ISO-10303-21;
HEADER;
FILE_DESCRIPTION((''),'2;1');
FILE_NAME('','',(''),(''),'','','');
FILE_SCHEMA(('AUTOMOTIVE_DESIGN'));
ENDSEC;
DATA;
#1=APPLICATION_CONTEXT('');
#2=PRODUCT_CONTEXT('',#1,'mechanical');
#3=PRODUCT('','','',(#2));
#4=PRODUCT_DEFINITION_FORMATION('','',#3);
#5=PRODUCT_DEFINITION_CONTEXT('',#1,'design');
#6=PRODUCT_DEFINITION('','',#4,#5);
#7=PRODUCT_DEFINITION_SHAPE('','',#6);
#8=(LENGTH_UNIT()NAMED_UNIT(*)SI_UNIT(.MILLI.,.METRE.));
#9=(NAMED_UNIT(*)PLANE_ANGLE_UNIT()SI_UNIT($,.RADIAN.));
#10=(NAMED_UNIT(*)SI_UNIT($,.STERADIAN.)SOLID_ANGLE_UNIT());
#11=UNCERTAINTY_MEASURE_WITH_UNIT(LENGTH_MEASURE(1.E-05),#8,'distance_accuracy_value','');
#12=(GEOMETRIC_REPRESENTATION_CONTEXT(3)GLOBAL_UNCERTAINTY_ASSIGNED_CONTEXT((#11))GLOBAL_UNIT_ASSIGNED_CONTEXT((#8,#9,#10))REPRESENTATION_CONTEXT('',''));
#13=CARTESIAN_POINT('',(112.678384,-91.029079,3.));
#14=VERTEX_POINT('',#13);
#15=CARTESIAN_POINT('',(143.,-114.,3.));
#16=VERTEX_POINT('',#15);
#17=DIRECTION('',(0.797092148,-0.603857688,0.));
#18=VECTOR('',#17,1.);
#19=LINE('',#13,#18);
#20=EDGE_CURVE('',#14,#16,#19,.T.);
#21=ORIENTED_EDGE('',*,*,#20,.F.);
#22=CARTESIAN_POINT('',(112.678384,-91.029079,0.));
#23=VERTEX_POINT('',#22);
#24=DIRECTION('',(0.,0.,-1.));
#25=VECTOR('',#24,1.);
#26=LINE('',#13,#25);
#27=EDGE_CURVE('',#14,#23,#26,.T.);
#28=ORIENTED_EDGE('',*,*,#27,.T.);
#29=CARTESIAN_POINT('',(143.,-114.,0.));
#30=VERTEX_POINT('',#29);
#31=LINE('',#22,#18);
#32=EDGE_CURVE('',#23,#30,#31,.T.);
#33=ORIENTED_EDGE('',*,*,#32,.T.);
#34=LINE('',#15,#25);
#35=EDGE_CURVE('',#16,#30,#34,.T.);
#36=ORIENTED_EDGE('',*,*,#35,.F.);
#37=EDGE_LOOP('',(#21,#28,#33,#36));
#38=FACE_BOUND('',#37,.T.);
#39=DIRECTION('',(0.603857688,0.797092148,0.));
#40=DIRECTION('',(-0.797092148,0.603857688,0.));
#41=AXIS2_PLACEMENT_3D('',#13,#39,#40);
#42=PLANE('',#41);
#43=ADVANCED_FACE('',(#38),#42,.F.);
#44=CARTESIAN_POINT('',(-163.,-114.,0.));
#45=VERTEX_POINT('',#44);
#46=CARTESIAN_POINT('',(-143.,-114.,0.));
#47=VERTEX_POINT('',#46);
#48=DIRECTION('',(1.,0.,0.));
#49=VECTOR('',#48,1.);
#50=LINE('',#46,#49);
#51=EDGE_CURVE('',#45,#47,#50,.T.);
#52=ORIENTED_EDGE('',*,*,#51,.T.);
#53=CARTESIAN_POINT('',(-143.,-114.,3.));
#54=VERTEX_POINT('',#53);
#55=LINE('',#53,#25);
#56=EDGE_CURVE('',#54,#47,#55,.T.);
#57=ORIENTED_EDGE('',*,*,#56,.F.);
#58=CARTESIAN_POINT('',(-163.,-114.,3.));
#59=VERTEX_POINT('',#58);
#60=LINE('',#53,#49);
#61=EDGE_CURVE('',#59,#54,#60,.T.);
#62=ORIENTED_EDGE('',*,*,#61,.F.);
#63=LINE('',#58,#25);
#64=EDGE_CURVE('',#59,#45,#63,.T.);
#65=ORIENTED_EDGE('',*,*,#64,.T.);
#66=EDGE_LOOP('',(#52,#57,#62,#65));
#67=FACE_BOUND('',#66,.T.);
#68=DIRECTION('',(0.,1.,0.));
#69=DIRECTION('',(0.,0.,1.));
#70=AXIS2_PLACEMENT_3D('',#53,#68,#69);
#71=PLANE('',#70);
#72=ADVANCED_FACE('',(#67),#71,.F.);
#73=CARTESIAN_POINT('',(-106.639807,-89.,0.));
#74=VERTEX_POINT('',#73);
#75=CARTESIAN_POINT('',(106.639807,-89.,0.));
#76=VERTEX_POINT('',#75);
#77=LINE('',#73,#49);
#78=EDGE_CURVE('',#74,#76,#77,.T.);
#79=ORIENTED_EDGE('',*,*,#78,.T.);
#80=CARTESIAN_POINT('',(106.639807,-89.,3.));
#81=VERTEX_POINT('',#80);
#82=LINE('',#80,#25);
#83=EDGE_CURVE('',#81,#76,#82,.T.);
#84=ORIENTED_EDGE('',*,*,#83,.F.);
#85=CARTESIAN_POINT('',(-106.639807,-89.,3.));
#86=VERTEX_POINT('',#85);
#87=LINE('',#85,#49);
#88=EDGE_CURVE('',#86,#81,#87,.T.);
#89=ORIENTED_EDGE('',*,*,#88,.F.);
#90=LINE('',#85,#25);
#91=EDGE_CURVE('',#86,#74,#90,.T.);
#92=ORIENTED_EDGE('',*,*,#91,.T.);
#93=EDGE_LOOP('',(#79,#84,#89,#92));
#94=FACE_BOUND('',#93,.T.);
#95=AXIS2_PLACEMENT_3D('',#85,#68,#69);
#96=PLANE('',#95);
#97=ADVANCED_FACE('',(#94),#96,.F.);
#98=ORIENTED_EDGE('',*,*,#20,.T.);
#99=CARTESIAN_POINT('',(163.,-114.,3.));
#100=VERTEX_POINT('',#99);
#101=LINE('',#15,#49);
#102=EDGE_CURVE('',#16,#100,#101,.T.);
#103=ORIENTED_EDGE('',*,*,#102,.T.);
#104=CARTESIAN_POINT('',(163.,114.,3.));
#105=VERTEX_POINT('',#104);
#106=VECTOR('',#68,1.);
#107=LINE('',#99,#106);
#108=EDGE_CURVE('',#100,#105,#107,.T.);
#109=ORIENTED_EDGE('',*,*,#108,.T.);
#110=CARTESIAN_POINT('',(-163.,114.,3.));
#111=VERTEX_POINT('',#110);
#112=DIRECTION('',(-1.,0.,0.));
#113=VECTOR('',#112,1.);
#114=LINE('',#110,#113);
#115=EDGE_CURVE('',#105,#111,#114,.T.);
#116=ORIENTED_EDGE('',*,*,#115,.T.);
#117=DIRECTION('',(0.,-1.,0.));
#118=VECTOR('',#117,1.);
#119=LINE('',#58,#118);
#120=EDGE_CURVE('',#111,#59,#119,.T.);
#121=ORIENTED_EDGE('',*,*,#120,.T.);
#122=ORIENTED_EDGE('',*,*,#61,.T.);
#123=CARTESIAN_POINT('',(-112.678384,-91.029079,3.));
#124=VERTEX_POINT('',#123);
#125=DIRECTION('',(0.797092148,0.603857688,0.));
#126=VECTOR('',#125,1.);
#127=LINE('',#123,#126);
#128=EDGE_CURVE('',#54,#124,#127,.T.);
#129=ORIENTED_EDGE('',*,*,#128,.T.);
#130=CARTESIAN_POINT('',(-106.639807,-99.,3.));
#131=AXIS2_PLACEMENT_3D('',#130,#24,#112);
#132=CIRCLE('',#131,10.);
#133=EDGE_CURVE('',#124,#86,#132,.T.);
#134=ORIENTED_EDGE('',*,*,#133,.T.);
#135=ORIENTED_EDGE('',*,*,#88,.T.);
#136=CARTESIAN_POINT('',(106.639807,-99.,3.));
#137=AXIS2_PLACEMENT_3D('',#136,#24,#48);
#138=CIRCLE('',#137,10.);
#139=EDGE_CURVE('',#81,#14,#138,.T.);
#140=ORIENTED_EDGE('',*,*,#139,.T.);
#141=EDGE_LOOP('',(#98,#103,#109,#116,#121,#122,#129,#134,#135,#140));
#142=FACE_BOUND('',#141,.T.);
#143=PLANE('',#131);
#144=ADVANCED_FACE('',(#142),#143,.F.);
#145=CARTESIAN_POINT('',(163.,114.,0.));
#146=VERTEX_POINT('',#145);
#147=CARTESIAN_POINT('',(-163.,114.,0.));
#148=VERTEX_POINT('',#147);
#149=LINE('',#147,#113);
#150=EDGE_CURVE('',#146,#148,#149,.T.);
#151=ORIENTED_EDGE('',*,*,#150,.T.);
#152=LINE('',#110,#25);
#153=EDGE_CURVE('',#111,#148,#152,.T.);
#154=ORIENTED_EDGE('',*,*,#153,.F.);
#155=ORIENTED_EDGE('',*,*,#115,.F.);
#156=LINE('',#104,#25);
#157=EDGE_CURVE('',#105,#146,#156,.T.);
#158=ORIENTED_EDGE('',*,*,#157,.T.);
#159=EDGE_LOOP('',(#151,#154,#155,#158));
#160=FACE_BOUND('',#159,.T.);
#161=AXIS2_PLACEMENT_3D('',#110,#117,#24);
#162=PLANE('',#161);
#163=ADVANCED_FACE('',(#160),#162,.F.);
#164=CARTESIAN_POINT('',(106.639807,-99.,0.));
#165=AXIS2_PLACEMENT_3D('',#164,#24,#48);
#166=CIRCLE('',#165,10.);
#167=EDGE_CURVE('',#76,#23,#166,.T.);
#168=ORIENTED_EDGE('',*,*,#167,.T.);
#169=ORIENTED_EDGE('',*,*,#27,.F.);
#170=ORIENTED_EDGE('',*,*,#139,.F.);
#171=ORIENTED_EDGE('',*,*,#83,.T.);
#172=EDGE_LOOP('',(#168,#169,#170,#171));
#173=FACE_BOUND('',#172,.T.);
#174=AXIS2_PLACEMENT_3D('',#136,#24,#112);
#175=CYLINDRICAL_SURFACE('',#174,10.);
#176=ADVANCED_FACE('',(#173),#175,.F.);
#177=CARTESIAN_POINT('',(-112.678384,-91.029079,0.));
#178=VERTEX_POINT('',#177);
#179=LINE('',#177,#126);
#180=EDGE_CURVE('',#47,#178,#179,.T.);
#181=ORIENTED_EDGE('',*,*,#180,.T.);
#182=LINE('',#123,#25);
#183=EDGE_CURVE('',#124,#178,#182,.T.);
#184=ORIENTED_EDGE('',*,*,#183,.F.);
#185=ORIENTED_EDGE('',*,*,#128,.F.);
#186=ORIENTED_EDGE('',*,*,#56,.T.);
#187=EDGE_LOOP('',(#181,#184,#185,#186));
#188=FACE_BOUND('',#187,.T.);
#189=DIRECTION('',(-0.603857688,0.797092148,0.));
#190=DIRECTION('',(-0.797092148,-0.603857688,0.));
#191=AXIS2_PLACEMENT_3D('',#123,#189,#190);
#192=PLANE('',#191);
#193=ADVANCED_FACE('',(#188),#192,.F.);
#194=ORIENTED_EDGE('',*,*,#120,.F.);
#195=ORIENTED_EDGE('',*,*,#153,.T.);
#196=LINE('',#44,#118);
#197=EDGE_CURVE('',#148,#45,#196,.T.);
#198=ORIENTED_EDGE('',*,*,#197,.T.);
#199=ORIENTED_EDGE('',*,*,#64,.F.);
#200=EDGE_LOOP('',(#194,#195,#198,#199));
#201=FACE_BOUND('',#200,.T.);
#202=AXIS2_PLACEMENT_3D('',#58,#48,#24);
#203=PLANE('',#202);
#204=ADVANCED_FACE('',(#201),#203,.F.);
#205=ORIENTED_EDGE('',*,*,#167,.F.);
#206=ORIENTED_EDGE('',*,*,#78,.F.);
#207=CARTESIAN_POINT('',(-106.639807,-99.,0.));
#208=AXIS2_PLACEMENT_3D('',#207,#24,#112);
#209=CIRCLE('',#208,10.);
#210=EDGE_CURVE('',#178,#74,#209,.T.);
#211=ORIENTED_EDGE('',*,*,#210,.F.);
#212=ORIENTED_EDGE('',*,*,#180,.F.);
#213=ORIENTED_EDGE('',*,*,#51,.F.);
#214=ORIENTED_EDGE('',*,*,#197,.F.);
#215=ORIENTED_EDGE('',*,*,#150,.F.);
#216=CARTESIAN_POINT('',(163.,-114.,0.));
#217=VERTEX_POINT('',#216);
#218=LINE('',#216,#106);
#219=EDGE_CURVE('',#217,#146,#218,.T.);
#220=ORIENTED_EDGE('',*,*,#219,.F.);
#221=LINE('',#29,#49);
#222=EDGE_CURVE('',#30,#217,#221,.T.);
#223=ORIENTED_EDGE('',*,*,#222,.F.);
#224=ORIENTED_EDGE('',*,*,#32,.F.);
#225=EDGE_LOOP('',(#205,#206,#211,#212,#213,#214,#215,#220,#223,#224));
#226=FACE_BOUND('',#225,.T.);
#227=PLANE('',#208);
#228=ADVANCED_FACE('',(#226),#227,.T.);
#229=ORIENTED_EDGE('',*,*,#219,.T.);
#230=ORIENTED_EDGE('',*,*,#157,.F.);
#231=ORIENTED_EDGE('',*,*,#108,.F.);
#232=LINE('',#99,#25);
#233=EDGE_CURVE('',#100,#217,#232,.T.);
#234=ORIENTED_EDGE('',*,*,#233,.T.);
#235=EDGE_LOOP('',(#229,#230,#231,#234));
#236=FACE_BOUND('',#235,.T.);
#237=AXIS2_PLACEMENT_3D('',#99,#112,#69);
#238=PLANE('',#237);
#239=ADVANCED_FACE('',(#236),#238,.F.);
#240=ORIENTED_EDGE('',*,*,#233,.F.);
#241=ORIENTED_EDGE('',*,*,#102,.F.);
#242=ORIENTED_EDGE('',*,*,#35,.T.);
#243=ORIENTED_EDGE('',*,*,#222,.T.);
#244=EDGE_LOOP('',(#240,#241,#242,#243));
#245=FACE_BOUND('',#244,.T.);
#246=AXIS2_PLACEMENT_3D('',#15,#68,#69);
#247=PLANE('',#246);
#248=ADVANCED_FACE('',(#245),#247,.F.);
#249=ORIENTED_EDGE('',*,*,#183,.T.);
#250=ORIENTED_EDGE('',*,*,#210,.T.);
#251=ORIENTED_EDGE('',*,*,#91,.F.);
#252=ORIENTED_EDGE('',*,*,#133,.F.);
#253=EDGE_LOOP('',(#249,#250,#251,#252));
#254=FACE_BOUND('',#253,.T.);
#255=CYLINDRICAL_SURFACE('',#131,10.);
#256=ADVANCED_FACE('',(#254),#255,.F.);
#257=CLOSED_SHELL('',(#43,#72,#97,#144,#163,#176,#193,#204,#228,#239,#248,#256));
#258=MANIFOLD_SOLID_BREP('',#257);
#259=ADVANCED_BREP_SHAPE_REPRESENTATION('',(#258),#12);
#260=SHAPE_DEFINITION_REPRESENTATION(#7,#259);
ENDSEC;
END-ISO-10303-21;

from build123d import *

# Parameters (mm, degrees)
BOSS_EXTRUDE1_DEPTH = 3


with BuildPart() as part:
    # Sketch1 → Boss-Extrude1 (new body)
    with BuildSketch(Plane.XY):
        with BuildLine():
            Line((-163, -114), (-163, 114))
            Line((-163, 114), (163, 114))
            Line((163, 114), (163, -114))
            Line((163, -114), (143, -114))
            Line((143, -114), (112.678383644, -91.029078518))
            ThreePointArc((112.678383644, -91.029078518), (109.824990055, -89.520832979), (106.639806764, -89))
            Line((106.639806764, -89), (-106.639806764, -89))
            ThreePointArc((-106.639806764, -89), (-109.824990055, -89.520832979), (-112.678383644, -91.029078518))
            Line((-112.678383644, -91.029078518), (-143, -114))
            Line((-143, -114), (-163, -114))
        make_face()
    extrude(amount=BOSS_EXTRUDE1_DEPTH)


solid = part.part
